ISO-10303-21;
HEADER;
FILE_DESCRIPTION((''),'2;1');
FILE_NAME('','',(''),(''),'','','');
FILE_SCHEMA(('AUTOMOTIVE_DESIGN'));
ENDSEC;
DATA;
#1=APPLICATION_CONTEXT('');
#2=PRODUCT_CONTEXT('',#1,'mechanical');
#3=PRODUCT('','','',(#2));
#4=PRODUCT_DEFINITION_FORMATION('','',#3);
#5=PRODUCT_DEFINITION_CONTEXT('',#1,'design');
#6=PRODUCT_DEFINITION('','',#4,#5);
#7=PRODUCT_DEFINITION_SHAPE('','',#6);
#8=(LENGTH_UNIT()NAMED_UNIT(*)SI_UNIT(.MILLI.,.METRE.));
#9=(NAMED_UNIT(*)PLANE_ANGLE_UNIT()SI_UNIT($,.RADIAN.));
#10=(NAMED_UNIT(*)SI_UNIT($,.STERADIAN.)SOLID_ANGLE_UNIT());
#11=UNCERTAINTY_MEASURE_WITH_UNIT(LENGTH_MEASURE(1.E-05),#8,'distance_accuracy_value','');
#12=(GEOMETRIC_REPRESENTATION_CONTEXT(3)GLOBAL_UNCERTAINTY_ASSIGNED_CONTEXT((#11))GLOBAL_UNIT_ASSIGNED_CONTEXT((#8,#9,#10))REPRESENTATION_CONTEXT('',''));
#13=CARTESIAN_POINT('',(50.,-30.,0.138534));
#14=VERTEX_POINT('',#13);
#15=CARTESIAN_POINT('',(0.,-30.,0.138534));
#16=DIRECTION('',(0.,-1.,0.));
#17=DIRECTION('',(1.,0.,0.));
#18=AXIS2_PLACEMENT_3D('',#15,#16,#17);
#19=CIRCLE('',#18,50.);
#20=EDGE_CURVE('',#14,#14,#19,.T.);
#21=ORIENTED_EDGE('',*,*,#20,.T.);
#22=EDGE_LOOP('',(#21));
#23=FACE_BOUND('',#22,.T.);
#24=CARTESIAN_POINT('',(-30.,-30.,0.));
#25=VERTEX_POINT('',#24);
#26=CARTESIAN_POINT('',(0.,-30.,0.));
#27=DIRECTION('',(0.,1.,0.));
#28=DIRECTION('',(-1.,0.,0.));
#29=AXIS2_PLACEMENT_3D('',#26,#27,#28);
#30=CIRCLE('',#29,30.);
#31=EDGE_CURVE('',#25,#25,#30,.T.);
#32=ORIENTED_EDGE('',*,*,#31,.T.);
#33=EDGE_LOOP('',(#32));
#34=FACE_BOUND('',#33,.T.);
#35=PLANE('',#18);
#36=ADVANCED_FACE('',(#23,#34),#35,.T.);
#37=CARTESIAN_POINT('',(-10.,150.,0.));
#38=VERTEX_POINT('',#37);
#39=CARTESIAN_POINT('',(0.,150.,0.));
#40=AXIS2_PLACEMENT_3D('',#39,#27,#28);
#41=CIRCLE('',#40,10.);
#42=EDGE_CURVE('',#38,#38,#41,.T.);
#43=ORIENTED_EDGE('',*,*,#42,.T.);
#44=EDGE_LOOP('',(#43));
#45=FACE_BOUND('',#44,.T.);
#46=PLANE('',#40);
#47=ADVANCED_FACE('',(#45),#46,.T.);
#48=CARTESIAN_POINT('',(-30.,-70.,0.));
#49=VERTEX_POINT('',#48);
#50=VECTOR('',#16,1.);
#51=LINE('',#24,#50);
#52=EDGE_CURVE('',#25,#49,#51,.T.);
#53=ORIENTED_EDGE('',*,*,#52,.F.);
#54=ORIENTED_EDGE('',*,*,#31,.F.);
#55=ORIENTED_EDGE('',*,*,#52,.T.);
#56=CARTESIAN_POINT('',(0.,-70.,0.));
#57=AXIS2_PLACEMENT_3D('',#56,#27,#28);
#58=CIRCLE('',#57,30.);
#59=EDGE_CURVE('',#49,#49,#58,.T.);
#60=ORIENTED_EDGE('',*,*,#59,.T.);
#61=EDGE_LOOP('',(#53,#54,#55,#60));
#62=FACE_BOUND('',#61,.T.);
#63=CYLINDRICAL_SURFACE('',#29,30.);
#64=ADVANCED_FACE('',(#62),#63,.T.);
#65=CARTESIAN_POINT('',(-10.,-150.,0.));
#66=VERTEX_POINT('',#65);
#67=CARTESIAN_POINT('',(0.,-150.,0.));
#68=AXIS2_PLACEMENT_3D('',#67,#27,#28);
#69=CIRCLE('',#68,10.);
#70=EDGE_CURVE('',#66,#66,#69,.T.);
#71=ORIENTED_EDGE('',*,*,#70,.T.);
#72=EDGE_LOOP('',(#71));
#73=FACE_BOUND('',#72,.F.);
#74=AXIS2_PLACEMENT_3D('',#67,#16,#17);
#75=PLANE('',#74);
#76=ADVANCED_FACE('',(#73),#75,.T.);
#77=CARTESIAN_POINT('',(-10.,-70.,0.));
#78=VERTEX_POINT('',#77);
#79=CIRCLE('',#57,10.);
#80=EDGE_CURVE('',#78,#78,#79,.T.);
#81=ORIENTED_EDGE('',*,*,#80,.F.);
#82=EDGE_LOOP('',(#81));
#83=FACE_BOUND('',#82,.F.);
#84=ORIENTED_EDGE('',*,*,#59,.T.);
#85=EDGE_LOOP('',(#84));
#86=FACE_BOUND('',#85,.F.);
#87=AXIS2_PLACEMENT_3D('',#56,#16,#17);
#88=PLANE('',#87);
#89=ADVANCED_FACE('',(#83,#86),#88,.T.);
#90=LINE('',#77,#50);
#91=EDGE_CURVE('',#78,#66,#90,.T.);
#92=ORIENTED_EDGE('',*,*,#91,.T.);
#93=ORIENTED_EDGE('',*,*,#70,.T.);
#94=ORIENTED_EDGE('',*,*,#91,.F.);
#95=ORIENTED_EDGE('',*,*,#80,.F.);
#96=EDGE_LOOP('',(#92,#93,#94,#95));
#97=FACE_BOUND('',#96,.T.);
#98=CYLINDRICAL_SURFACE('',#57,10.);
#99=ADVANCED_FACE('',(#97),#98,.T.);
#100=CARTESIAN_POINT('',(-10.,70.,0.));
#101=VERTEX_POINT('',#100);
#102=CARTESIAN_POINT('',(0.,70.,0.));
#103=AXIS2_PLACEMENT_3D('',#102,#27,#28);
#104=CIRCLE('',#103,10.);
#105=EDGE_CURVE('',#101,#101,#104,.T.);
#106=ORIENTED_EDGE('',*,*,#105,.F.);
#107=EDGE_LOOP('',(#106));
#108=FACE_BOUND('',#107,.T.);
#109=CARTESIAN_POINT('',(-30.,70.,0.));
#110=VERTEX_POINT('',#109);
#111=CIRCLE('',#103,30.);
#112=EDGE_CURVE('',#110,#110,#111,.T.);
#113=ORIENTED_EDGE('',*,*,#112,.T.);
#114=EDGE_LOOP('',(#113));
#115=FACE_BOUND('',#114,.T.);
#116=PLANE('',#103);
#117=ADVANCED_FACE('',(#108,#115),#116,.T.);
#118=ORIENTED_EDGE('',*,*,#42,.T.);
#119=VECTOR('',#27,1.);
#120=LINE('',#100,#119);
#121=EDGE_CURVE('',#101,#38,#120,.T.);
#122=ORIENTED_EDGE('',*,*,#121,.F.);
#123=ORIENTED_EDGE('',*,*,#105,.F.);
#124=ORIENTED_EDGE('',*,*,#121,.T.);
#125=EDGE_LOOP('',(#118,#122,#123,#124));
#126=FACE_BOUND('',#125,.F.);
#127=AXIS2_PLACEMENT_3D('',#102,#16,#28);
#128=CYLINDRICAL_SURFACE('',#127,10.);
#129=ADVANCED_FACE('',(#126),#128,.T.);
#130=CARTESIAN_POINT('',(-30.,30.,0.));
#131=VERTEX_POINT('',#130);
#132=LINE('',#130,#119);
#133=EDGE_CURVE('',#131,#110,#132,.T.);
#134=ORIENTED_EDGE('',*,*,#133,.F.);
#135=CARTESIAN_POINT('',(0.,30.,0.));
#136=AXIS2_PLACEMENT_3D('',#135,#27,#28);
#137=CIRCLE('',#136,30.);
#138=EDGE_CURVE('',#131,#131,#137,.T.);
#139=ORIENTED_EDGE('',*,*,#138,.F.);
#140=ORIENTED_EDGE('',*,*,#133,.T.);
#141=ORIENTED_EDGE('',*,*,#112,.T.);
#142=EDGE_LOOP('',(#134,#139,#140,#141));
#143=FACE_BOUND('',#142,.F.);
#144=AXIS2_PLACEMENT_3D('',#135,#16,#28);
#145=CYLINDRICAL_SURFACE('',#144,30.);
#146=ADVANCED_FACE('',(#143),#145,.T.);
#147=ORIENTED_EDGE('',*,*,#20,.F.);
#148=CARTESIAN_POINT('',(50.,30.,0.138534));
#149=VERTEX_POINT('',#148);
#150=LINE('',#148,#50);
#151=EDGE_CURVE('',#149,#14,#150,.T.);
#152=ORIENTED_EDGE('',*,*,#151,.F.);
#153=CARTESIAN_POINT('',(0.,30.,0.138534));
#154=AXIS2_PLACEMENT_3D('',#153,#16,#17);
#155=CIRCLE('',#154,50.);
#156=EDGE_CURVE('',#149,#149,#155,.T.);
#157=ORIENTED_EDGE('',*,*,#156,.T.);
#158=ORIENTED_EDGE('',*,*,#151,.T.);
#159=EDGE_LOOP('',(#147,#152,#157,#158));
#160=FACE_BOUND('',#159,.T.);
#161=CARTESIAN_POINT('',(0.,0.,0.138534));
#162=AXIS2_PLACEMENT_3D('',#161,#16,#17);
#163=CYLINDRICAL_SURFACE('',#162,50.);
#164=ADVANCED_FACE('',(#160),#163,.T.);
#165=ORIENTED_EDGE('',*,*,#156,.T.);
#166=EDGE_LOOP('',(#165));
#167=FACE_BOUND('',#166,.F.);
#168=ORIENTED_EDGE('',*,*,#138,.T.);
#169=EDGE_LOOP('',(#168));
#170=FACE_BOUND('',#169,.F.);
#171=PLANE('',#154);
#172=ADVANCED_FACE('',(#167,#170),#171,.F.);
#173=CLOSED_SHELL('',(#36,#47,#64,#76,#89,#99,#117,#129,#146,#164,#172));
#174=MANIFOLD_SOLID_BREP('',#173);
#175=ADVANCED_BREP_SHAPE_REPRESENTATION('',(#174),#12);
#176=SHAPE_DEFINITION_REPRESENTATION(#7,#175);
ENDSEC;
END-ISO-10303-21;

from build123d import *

# Parameters (mm, degrees)
F0_R     = 50
F1_DEPTH = 30
F2_R     = 30
F3_DEPTH = 40
F4_R     = 10
F5_DEPTH = 80


with BuildPart() as f1:
    # F0 (on Front) → F1 (new body, symmetric)
    with BuildSketch(Plane.XZ):
        with Locations((0, 0.138534)):
            Circle(F0_R)
    extrude(amount=F1_DEPTH, both=True)

    # F2 (on face) → F3 (join)
    with BuildSketch(Plane(origin=(0, 30, 0), x_dir=(-1, 0, 0), z_dir=(0, 1, 0))):
        Circle(F2_R)
    extrude(amount=F3_DEPTH)

    # F4 (on face) → F5 (join)
    with BuildSketch(Plane(origin=(0, 70, 0), x_dir=(-1, 0, 0), z_dir=(0, 1, 0))):
        Circle(F4_R)
    extrude(amount=F5_DEPTH)

    # F6: F1 across plane


with BuildPart() as f1_1:
    add(f1.part)
    add(f1.part.mirror(Plane.XZ))


solid = f1_1.part
